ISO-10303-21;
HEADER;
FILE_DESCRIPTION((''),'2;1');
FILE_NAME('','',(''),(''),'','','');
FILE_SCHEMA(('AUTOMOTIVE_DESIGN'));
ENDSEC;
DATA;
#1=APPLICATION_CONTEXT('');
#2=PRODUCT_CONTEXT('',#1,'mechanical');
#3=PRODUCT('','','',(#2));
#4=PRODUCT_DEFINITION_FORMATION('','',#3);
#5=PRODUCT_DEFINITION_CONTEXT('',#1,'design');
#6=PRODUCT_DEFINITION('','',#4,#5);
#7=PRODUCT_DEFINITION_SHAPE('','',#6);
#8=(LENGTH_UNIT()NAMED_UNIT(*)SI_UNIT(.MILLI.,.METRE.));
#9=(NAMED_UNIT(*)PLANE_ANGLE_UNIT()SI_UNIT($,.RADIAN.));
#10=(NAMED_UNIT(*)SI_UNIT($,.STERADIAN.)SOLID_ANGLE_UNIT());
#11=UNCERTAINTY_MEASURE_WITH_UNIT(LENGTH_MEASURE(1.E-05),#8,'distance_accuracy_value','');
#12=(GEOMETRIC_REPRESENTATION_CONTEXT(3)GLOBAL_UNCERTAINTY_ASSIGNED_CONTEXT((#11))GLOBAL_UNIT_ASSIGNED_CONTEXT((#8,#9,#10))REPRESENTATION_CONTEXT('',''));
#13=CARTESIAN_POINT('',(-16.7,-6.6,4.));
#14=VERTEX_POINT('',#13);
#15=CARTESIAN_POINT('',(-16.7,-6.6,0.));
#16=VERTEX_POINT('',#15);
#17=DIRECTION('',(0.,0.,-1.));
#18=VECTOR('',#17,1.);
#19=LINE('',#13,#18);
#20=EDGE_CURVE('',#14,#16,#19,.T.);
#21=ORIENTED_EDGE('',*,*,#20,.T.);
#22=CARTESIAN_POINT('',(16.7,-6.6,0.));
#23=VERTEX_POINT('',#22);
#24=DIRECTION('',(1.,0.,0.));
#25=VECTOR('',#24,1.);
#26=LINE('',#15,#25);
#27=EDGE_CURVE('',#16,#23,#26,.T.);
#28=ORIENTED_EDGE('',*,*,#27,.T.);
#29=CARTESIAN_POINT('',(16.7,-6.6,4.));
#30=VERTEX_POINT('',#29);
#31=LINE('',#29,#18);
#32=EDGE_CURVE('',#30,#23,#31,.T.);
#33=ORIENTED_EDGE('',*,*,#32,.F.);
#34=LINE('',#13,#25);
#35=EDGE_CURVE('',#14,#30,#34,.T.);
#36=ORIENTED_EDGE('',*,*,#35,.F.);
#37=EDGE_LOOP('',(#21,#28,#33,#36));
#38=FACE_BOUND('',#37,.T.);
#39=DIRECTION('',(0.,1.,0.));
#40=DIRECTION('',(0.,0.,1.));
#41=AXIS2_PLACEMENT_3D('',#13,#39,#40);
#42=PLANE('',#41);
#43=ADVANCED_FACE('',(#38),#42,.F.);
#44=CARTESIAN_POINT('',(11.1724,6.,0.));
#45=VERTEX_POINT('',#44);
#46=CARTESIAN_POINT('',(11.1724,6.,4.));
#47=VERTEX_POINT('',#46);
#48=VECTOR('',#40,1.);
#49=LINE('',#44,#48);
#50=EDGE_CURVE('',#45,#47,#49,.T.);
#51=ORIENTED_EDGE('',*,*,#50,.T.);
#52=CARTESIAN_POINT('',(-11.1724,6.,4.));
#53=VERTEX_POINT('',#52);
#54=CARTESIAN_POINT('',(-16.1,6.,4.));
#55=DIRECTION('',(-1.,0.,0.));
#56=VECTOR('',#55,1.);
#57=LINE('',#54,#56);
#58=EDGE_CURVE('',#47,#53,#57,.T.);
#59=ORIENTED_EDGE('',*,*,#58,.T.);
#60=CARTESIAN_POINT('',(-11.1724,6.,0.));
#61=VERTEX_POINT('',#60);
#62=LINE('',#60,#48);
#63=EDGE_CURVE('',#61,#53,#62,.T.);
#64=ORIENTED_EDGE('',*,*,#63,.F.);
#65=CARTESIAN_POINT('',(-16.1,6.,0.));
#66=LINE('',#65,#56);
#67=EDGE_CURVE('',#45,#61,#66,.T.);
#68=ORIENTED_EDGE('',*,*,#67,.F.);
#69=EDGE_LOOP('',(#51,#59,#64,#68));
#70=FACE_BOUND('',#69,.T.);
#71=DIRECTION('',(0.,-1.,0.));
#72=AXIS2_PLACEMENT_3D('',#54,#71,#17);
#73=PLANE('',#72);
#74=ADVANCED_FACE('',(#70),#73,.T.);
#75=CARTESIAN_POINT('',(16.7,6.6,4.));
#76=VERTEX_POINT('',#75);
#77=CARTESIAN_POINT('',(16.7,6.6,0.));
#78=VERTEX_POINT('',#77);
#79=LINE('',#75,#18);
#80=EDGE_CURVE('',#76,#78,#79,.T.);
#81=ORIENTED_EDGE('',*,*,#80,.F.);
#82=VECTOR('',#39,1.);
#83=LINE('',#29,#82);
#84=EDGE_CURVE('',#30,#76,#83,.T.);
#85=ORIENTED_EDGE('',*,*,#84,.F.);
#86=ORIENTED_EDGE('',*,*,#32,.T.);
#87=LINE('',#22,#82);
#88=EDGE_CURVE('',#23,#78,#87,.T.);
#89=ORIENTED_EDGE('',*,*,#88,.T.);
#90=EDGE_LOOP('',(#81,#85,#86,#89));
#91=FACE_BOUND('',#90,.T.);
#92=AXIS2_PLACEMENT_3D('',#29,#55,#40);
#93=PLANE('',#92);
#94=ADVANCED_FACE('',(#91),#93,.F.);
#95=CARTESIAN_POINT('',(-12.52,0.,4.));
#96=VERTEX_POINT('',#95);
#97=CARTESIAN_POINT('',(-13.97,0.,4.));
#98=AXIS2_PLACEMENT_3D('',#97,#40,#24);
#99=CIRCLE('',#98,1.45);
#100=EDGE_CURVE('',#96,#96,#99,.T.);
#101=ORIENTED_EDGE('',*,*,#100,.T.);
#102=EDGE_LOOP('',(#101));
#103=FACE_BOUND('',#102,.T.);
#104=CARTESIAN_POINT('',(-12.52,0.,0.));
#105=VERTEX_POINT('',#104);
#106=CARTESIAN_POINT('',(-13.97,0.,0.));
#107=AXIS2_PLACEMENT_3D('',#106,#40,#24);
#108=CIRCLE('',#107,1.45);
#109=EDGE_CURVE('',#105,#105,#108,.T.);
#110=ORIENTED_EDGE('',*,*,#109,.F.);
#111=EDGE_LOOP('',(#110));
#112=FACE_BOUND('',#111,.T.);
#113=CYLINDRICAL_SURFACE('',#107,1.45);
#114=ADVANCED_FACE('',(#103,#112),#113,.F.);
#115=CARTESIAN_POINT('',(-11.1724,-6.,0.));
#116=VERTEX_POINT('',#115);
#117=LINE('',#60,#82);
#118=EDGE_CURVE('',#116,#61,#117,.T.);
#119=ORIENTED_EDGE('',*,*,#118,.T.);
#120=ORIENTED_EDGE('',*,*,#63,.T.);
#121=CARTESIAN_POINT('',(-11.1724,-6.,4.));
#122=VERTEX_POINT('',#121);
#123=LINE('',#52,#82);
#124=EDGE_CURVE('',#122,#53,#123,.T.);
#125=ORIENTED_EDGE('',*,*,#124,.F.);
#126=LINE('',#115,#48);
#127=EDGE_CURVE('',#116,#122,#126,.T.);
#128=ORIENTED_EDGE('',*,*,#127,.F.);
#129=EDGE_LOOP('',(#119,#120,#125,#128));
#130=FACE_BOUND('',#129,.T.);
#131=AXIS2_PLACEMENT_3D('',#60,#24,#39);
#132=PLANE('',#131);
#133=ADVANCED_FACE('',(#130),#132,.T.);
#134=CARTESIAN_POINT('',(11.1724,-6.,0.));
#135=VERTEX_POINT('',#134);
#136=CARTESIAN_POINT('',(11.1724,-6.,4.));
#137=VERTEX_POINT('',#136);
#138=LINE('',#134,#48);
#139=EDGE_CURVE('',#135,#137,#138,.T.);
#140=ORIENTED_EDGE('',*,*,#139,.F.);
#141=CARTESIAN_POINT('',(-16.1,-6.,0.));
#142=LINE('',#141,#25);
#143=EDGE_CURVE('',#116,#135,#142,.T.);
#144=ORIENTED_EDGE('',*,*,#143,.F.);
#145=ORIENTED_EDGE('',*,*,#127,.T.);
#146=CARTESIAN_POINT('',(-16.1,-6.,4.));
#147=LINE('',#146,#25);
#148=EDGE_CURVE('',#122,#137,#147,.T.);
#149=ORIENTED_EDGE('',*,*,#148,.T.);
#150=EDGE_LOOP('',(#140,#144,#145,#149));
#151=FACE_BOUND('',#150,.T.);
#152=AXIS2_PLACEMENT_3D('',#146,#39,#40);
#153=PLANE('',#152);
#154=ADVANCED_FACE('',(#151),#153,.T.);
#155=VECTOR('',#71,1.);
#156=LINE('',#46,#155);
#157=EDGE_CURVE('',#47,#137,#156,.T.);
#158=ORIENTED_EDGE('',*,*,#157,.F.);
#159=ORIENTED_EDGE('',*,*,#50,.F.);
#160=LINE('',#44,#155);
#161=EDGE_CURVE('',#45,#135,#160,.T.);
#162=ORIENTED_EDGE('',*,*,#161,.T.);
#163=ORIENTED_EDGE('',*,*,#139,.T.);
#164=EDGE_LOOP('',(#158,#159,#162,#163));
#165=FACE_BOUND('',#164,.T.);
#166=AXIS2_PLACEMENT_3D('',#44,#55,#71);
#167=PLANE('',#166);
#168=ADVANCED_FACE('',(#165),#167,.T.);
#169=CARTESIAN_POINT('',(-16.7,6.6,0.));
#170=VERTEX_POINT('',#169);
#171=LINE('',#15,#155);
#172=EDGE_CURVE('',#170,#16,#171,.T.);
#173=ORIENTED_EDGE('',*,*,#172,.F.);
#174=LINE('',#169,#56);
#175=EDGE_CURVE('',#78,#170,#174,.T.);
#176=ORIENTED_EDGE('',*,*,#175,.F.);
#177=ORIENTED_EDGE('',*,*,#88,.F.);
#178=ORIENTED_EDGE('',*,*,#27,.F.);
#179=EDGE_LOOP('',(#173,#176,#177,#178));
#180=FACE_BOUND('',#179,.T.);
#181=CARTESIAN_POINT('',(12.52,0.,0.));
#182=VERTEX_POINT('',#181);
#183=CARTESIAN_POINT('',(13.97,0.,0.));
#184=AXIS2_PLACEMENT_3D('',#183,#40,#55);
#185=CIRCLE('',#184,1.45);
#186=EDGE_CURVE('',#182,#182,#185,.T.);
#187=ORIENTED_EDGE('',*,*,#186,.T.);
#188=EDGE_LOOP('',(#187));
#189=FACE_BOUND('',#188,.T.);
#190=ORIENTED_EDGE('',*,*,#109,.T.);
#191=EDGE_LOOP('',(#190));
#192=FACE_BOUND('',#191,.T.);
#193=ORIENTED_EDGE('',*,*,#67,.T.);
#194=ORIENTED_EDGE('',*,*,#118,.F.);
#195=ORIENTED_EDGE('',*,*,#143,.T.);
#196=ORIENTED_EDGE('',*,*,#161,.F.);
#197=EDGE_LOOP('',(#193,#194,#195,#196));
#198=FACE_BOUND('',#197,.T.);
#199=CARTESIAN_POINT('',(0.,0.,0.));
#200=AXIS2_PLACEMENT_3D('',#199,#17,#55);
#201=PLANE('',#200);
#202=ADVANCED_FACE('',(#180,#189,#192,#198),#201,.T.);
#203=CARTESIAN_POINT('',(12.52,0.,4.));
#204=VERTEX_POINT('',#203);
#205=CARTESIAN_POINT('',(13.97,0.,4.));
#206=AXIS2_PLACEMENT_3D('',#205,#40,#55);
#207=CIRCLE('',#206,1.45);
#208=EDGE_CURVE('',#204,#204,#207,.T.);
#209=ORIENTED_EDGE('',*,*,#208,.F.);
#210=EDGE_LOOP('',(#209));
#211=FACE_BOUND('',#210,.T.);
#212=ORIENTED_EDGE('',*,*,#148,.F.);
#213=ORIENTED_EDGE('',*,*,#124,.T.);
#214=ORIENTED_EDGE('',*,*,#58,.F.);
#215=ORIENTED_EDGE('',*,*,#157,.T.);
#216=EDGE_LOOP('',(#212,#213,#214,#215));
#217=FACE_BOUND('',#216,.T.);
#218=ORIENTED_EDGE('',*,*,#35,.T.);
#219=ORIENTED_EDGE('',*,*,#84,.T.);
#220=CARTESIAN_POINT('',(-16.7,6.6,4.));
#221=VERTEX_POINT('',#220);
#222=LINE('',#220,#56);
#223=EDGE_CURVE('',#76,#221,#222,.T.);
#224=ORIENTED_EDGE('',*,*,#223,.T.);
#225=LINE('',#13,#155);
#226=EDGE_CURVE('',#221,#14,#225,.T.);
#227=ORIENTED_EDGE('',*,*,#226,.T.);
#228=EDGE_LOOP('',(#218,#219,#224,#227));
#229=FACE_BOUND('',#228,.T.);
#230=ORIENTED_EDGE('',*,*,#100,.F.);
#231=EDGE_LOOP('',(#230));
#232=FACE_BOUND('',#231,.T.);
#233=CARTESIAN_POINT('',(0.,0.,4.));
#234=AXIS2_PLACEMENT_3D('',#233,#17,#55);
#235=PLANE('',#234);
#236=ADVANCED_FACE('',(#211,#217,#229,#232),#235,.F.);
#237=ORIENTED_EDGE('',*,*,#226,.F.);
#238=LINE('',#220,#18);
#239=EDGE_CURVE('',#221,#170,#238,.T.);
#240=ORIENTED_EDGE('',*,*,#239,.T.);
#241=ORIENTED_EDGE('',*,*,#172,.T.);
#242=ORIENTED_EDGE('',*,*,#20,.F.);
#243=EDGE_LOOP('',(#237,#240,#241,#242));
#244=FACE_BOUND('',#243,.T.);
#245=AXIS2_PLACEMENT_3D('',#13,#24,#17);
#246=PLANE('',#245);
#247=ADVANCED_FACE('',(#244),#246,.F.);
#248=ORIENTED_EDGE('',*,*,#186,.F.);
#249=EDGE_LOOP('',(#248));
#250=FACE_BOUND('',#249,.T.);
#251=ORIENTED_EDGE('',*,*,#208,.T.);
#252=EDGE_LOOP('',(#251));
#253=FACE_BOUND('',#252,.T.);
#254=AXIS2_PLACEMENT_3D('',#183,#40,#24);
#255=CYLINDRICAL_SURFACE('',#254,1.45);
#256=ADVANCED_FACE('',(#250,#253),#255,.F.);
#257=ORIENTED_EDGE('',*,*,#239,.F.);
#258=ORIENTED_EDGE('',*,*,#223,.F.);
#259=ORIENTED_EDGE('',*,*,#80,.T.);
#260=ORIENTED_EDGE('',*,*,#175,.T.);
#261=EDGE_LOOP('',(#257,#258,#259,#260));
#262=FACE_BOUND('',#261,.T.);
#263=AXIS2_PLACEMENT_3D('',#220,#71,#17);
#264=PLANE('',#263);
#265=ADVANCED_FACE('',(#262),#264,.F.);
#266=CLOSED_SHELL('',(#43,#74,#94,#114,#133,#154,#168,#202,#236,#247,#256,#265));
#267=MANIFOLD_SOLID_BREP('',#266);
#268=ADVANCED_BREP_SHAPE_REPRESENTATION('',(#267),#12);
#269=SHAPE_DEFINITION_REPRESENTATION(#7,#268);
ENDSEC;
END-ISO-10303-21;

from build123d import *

# Parameters (mm, degrees)
SKETCH1_W            = 33.4
SKETCH1_H            = 13.2
SKETCH1_W_2          = 32.2
SKETCH1_H_2          = 12
BOSS_EXTRUDE3_DEPTH  = 4
SKETCH3_W            = 4.9276
SKETCH3_H            = 12
BOSS_EXTRUDE4_DEPTH  = 4
SKETCH4_R            = 1.45
MOUNTING_HOLES_DEPTH = 19.397010627


with BuildPart() as part:
    # Sketch1 → Boss-Extrude3 (new body)
    with BuildSketch(Plane.XY):
        Rectangle(SKETCH1_W, SKETCH1_H)
        Rectangle(SKETCH1_W_2, SKETCH1_H_2, mode=Mode.SUBTRACT)
    extrude(amount=BOSS_EXTRUDE3_DEPTH)

    # Sketch3 → Boss-Extrude4 (add, through all)
    with BuildSketch(Plane.XY.offset(4)):
        with Locations((-13.6362, 0)):
            Rectangle(SKETCH3_W, SKETCH3_H)
        with Locations((13.6362, 0)):
            Rectangle(SKETCH3_W, SKETCH3_H)
    extrude(amount=-BOSS_EXTRUDE4_DEPTH)

    # Sketch4 → mounting holes (cut, through all)
    with BuildSketch(Plane.XY.offset(4)):
        with Locations((-13.97, 0)):
            Circle(SKETCH4_R)
        with Locations(Location((13.97, 0, 0), (0, 0, 180))):
            Circle(SKETCH4_R)
    extrude(amount=-MOUNTING_HOLES_DEPTH, mode=Mode.SUBTRACT)


solid = part.part
